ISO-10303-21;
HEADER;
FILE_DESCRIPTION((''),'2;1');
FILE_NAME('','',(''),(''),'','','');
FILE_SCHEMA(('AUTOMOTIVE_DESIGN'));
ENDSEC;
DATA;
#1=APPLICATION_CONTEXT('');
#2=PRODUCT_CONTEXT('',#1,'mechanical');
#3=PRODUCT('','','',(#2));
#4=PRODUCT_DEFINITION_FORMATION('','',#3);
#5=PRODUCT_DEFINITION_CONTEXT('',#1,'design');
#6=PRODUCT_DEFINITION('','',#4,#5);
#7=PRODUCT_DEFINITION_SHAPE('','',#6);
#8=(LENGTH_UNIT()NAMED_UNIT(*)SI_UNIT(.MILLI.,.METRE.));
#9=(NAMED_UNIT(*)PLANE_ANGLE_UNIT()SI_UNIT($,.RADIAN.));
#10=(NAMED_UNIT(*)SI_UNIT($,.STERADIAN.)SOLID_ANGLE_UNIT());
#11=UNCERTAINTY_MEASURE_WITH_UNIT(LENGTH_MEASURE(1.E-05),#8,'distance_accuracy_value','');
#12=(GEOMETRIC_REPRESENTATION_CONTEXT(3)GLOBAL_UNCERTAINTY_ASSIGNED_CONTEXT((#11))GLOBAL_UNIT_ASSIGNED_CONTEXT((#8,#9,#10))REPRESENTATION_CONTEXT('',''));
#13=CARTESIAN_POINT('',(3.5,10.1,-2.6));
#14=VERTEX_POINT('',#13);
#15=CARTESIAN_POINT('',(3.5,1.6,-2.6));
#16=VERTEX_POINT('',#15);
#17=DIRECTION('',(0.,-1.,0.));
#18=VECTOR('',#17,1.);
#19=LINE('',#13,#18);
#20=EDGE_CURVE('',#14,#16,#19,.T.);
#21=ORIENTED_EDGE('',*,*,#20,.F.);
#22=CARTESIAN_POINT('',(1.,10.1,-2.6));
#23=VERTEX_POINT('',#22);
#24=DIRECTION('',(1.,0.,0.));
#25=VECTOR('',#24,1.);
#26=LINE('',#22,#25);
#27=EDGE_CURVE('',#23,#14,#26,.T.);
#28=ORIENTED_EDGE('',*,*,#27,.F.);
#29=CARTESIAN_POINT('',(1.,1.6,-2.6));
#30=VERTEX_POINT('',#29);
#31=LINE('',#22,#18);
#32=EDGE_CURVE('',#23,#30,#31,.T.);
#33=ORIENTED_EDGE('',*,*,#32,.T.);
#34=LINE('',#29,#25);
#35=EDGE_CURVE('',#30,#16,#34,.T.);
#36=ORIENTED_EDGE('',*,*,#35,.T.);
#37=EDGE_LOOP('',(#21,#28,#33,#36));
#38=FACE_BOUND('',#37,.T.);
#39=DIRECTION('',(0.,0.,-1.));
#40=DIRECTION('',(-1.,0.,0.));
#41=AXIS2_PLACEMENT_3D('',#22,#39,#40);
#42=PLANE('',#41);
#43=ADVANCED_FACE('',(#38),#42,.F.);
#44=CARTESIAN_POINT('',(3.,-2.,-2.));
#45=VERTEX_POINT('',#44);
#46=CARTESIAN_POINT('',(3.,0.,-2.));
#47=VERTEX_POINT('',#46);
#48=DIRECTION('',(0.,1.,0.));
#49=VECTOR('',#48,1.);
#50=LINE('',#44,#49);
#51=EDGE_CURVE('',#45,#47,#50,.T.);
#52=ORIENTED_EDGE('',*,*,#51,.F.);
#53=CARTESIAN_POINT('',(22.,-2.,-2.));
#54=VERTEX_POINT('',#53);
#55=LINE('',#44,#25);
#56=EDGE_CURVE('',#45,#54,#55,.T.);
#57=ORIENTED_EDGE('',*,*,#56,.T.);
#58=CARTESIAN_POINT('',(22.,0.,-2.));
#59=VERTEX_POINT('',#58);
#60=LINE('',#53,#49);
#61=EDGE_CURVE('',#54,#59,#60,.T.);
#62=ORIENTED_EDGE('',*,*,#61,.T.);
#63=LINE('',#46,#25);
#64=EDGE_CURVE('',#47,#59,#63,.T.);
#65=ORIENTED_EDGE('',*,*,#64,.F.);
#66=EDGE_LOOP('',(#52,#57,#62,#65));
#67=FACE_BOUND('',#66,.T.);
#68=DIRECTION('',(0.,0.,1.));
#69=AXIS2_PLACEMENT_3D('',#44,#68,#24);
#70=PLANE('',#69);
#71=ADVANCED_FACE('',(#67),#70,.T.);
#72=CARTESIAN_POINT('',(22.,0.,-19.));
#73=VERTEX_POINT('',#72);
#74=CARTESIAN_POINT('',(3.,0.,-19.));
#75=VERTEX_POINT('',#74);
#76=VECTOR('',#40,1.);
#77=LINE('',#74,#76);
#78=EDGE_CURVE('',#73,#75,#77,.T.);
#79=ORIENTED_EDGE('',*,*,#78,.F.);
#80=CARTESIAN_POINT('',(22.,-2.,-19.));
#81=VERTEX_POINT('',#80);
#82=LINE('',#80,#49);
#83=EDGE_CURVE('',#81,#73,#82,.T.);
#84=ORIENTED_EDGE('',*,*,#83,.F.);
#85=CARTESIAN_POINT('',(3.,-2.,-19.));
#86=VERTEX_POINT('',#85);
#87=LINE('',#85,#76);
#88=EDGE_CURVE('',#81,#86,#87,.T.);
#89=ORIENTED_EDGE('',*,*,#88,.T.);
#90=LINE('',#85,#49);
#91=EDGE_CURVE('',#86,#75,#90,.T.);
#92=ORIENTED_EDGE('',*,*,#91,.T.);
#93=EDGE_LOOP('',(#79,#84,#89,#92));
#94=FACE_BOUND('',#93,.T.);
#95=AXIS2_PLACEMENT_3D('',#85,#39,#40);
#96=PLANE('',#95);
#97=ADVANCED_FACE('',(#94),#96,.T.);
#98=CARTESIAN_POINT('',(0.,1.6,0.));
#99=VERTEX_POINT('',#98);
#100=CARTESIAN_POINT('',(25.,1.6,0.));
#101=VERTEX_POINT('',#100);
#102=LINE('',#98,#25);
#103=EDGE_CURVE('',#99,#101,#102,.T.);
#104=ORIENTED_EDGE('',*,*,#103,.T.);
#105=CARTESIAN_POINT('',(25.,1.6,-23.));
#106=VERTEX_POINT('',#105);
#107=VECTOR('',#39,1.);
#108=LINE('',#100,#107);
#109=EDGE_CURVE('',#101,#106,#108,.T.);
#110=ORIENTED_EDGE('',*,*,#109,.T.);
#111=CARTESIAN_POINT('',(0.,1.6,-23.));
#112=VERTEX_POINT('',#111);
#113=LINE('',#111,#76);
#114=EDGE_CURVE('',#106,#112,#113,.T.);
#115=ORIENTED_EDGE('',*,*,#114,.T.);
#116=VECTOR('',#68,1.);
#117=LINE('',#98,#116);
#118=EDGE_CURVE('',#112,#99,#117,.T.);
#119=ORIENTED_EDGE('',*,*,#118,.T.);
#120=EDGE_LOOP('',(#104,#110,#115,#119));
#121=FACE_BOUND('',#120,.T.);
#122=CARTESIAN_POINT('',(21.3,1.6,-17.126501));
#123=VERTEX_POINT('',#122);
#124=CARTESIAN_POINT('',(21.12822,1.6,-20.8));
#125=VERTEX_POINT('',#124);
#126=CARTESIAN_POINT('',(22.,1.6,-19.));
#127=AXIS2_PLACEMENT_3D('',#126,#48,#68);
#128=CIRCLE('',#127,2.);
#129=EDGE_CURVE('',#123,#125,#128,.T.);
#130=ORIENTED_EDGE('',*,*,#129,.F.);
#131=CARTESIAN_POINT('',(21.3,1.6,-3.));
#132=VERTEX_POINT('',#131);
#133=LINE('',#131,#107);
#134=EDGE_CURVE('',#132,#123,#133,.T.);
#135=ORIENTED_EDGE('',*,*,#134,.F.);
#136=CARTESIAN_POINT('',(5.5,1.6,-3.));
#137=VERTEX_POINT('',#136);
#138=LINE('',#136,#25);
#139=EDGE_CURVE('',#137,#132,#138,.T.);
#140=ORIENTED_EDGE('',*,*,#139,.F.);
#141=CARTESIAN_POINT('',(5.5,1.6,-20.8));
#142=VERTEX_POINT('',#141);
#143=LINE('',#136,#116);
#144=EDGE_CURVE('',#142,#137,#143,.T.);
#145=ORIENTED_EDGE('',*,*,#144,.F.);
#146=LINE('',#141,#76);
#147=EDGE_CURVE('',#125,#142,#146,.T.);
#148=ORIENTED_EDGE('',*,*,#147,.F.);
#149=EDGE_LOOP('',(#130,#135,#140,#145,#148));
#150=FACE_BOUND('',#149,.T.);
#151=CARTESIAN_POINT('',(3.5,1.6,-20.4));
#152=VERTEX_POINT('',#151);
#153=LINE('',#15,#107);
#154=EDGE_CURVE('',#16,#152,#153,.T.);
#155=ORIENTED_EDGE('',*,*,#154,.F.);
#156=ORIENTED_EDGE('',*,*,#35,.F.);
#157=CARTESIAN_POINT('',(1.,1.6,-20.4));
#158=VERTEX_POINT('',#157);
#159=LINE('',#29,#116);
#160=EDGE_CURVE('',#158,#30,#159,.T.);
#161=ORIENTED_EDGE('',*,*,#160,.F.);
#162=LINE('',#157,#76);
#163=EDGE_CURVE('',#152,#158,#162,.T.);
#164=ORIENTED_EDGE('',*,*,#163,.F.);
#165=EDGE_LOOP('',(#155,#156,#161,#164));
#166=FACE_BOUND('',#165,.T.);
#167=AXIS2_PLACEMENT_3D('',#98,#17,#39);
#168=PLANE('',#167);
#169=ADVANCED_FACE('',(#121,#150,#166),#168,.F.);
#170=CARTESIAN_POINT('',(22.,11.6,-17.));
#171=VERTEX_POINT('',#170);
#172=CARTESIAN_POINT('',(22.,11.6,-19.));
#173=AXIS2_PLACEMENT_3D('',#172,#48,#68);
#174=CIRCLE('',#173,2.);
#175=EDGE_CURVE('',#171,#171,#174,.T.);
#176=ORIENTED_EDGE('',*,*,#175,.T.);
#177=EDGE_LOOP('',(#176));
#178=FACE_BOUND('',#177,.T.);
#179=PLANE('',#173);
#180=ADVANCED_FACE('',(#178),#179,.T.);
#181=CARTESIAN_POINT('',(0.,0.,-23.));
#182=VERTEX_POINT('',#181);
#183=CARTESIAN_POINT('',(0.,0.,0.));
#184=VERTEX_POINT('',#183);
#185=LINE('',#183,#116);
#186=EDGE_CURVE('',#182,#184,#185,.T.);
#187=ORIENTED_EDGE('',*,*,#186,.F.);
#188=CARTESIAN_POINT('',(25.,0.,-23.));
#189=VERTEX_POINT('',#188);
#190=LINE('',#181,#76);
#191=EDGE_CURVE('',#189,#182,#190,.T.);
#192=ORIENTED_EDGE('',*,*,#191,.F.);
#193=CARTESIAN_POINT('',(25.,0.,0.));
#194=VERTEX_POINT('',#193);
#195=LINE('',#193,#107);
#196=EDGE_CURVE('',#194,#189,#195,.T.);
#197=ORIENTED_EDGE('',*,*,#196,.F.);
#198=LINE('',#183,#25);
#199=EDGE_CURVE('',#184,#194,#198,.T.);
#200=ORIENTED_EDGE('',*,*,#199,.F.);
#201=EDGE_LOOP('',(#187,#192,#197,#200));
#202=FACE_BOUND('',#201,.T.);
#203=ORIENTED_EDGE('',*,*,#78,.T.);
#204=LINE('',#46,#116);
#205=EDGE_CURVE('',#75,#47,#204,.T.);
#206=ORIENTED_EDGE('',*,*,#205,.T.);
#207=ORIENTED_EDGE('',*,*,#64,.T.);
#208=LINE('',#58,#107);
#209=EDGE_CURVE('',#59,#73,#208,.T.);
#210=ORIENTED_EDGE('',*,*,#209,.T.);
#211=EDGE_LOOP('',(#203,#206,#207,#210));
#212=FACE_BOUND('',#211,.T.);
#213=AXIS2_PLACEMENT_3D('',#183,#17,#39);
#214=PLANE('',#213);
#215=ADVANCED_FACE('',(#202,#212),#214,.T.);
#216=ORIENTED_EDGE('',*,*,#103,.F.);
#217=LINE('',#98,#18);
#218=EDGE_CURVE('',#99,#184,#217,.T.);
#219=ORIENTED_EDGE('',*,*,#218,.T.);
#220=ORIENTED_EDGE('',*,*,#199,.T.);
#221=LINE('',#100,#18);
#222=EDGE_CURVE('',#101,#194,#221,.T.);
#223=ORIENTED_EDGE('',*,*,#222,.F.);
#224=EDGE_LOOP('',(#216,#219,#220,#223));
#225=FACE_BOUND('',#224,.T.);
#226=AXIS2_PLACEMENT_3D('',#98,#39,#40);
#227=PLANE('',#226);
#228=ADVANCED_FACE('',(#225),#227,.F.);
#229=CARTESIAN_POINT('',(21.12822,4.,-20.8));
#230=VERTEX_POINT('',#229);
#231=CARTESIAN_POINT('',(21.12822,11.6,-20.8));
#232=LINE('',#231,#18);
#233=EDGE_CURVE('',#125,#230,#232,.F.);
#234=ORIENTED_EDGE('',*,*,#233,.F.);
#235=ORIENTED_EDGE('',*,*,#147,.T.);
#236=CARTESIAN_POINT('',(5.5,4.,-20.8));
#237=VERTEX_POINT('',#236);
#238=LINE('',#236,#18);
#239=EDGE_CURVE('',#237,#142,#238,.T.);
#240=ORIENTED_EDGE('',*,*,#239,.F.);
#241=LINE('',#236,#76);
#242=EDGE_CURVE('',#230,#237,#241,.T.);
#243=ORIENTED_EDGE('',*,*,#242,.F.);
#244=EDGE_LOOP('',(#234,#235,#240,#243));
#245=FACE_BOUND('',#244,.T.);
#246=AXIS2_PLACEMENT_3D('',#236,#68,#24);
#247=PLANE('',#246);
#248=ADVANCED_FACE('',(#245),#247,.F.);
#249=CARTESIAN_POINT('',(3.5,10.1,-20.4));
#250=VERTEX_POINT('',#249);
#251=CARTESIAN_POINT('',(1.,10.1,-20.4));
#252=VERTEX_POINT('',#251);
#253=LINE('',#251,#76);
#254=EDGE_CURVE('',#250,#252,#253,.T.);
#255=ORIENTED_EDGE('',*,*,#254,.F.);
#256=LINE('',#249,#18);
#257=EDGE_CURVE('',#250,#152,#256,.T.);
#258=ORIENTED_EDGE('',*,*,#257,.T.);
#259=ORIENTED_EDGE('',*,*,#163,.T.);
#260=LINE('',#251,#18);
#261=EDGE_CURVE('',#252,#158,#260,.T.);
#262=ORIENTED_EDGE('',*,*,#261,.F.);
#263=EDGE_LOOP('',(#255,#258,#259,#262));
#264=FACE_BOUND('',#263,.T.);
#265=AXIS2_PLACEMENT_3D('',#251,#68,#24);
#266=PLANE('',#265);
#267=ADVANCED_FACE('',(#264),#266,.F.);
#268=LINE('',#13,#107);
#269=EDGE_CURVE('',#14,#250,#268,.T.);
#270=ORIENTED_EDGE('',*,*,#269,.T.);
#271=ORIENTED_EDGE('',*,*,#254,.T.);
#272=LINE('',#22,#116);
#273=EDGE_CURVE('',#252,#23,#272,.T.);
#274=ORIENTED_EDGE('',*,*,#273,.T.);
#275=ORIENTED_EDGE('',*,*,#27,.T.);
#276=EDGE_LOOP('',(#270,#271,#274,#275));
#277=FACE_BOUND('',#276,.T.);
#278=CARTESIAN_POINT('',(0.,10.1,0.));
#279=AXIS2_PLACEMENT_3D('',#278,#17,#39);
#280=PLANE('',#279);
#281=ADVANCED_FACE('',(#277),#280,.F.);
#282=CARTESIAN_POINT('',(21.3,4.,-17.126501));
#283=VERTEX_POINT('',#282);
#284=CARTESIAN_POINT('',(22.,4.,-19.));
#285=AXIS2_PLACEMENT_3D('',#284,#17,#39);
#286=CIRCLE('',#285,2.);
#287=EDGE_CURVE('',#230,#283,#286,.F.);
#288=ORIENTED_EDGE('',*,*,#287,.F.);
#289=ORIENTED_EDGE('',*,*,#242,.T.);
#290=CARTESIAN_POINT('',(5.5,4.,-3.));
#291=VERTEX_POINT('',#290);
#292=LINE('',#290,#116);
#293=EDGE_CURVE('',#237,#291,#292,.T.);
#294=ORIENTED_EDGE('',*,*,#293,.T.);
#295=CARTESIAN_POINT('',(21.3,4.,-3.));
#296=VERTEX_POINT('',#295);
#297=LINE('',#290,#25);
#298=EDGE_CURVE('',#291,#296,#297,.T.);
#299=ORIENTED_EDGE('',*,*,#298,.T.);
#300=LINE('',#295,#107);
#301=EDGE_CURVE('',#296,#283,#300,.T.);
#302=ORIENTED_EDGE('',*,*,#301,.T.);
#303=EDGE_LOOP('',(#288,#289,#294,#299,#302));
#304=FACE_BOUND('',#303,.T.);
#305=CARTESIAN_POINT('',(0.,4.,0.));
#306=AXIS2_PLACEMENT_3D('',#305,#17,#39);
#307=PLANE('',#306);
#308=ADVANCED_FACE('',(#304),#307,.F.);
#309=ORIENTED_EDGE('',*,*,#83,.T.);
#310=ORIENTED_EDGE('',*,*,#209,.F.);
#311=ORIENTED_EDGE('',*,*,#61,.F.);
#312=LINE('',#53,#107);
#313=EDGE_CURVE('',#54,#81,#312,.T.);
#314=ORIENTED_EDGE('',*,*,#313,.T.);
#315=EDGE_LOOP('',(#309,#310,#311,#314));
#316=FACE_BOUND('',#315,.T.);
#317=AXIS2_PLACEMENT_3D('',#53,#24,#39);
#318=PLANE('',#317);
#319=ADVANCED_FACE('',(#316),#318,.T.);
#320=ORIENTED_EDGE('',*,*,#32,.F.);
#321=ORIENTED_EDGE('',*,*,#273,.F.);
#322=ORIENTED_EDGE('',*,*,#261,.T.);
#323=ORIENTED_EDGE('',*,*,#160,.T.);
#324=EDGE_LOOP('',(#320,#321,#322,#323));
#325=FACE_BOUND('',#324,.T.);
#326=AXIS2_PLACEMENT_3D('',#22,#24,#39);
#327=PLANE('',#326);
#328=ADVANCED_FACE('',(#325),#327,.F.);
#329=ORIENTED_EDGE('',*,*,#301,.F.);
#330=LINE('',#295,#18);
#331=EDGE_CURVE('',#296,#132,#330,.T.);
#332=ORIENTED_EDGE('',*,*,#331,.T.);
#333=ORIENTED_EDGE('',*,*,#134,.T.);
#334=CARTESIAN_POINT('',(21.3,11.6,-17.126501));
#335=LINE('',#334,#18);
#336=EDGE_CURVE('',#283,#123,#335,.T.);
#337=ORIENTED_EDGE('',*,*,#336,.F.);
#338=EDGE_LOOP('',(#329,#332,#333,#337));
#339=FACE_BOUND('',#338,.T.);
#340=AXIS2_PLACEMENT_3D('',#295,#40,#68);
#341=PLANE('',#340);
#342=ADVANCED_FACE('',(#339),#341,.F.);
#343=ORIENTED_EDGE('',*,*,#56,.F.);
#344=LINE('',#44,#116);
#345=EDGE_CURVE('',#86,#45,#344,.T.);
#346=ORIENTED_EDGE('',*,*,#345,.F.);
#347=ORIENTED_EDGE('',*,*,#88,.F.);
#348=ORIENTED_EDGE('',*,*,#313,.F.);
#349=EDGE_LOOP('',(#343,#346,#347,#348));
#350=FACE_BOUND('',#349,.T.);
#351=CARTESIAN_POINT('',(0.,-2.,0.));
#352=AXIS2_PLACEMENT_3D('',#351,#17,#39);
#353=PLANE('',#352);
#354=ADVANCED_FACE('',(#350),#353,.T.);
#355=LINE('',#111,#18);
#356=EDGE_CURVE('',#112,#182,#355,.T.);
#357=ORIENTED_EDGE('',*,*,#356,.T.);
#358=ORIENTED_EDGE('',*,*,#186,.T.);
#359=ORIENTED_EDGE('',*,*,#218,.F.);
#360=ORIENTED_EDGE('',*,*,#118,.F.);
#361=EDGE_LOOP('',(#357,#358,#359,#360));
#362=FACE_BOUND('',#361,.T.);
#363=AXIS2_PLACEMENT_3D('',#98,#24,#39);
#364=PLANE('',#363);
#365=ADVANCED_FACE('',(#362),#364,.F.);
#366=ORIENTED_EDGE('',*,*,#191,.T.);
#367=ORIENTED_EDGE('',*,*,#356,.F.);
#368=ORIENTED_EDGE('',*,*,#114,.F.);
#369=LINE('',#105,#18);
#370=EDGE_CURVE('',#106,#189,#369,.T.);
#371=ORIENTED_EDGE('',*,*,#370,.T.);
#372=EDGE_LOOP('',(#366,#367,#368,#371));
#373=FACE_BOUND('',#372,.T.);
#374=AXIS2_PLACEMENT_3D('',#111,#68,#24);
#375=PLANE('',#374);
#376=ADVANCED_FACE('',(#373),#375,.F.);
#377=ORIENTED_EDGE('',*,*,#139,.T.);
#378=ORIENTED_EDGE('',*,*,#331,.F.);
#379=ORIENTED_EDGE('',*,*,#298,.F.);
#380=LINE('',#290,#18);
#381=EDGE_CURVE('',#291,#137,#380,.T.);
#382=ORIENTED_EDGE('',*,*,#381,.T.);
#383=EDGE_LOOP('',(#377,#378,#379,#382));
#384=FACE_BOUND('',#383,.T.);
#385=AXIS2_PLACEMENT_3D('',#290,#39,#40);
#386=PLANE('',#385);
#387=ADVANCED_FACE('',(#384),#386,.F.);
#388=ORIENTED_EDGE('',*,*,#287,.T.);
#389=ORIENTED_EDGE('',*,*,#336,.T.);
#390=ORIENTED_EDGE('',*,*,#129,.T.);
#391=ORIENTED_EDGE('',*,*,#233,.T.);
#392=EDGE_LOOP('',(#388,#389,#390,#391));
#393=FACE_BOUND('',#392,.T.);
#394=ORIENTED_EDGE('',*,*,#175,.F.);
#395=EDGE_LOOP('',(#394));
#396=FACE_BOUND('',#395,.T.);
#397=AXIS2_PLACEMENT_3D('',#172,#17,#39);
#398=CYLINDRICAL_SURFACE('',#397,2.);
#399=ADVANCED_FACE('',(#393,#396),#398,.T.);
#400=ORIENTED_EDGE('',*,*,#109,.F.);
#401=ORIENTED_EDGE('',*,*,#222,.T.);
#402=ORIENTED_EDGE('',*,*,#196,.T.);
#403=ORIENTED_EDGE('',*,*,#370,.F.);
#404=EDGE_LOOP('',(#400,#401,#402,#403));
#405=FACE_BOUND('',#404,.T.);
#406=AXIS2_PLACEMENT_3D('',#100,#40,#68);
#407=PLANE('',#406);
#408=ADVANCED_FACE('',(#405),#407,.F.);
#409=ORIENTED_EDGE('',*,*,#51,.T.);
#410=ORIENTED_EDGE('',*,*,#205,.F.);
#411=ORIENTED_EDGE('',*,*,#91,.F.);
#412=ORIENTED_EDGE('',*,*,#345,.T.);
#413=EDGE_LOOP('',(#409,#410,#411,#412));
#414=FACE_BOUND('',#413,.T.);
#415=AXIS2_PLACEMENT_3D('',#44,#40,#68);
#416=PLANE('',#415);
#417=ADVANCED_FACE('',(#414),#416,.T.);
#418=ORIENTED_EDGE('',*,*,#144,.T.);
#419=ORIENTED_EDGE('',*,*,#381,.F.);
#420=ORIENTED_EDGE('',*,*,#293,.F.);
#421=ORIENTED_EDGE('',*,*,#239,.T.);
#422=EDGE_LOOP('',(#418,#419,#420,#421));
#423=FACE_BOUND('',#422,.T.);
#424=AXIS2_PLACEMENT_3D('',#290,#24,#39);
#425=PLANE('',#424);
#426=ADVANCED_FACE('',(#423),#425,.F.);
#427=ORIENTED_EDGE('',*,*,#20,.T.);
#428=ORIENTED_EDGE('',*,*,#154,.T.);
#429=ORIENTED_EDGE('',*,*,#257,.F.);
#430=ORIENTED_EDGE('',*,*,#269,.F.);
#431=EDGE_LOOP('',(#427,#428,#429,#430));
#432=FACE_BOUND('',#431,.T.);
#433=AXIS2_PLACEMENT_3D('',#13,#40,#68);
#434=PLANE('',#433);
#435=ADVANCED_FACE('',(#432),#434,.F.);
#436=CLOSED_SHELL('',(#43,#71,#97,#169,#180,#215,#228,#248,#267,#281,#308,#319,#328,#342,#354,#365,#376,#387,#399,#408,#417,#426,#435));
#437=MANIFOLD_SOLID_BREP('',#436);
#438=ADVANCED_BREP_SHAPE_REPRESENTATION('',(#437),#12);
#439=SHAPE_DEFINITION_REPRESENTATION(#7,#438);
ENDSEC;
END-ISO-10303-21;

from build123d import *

# Parameters (mm, degrees)
SKETCH1_W            = 25
SKETCH1_H            = 23
PCB_DEPTH            = 1.6
SIM800L_MODULE_START = 1.6
SKETCH2_W            = 15.8
SKETCH2_H            = 17.8
SIM800L_MODULE_DEPTH = 2.4
HEADER_7PIN_START    = 1.6
SKETCH3_W            = 2.5
SKETCH3_H            = 17.8
HEADER_7PIN_DEPTH    = 8.5
ANTENNA_SPRING_START = 1.6
SKETCH4_R            = 2
ANTENNA_SPRING_DEPTH = 10
SKETCH5_W            = 19
SKETCH5_H            = 17
SIM_HOLDER_DEPTH     = 2


with BuildPart() as part:
    # Sketch1 → PCB (new body)
    with BuildSketch(Plane(origin=(0, 0, 0), x_dir=(1, 0, 0), z_dir=(0, 1, 0))):
        with Locations((12.5, 11.5)):
            Rectangle(SKETCH1_W, SKETCH1_H)
    extrude(amount=PCB_DEPTH)

    # Sketch2 → SIM800L_module (add)
    with BuildSketch(Plane(origin=(0, 0, 0), x_dir=(1, 0, 0), z_dir=(0, 1, 0)).offset(SIM800L_MODULE_START)):
        with Locations((13.4, 11.9)):
            Rectangle(SKETCH2_W, SKETCH2_H)
    extrude(amount=SIM800L_MODULE_DEPTH)

    # Sketch3 → Header_7pin (add)
    with BuildSketch(Plane(origin=(0, 0, 0), x_dir=(1, 0, 0), z_dir=(0, 1, 0)).offset(HEADER_7PIN_START)):
        with Locations((2.25, 11.5)):
            Rectangle(SKETCH3_W, SKETCH3_H)
    extrude(amount=HEADER_7PIN_DEPTH)

    # Sketch4 → Antenna_spring (add)
    with BuildSketch(Plane(origin=(0, 0, 0), x_dir=(1, 0, 0), z_dir=(0, 1, 0)).offset(ANTENNA_SPRING_START)):
        with Locations(Location((22, 19, 0), (0, 0, 115.841932763))):
            Circle(SKETCH4_R)
    extrude(amount=ANTENNA_SPRING_DEPTH)

    # Sketch5 → SIM_holder (add)
    with BuildSketch(Plane(origin=(0, 0, 0), x_dir=(1, 0, 0), z_dir=(0, 1, 0))):
        with Locations((12.5, 10.5)):
            Rectangle(SKETCH5_W, SKETCH5_H)
    extrude(amount=-SIM_HOLDER_DEPTH)


solid = part.part
